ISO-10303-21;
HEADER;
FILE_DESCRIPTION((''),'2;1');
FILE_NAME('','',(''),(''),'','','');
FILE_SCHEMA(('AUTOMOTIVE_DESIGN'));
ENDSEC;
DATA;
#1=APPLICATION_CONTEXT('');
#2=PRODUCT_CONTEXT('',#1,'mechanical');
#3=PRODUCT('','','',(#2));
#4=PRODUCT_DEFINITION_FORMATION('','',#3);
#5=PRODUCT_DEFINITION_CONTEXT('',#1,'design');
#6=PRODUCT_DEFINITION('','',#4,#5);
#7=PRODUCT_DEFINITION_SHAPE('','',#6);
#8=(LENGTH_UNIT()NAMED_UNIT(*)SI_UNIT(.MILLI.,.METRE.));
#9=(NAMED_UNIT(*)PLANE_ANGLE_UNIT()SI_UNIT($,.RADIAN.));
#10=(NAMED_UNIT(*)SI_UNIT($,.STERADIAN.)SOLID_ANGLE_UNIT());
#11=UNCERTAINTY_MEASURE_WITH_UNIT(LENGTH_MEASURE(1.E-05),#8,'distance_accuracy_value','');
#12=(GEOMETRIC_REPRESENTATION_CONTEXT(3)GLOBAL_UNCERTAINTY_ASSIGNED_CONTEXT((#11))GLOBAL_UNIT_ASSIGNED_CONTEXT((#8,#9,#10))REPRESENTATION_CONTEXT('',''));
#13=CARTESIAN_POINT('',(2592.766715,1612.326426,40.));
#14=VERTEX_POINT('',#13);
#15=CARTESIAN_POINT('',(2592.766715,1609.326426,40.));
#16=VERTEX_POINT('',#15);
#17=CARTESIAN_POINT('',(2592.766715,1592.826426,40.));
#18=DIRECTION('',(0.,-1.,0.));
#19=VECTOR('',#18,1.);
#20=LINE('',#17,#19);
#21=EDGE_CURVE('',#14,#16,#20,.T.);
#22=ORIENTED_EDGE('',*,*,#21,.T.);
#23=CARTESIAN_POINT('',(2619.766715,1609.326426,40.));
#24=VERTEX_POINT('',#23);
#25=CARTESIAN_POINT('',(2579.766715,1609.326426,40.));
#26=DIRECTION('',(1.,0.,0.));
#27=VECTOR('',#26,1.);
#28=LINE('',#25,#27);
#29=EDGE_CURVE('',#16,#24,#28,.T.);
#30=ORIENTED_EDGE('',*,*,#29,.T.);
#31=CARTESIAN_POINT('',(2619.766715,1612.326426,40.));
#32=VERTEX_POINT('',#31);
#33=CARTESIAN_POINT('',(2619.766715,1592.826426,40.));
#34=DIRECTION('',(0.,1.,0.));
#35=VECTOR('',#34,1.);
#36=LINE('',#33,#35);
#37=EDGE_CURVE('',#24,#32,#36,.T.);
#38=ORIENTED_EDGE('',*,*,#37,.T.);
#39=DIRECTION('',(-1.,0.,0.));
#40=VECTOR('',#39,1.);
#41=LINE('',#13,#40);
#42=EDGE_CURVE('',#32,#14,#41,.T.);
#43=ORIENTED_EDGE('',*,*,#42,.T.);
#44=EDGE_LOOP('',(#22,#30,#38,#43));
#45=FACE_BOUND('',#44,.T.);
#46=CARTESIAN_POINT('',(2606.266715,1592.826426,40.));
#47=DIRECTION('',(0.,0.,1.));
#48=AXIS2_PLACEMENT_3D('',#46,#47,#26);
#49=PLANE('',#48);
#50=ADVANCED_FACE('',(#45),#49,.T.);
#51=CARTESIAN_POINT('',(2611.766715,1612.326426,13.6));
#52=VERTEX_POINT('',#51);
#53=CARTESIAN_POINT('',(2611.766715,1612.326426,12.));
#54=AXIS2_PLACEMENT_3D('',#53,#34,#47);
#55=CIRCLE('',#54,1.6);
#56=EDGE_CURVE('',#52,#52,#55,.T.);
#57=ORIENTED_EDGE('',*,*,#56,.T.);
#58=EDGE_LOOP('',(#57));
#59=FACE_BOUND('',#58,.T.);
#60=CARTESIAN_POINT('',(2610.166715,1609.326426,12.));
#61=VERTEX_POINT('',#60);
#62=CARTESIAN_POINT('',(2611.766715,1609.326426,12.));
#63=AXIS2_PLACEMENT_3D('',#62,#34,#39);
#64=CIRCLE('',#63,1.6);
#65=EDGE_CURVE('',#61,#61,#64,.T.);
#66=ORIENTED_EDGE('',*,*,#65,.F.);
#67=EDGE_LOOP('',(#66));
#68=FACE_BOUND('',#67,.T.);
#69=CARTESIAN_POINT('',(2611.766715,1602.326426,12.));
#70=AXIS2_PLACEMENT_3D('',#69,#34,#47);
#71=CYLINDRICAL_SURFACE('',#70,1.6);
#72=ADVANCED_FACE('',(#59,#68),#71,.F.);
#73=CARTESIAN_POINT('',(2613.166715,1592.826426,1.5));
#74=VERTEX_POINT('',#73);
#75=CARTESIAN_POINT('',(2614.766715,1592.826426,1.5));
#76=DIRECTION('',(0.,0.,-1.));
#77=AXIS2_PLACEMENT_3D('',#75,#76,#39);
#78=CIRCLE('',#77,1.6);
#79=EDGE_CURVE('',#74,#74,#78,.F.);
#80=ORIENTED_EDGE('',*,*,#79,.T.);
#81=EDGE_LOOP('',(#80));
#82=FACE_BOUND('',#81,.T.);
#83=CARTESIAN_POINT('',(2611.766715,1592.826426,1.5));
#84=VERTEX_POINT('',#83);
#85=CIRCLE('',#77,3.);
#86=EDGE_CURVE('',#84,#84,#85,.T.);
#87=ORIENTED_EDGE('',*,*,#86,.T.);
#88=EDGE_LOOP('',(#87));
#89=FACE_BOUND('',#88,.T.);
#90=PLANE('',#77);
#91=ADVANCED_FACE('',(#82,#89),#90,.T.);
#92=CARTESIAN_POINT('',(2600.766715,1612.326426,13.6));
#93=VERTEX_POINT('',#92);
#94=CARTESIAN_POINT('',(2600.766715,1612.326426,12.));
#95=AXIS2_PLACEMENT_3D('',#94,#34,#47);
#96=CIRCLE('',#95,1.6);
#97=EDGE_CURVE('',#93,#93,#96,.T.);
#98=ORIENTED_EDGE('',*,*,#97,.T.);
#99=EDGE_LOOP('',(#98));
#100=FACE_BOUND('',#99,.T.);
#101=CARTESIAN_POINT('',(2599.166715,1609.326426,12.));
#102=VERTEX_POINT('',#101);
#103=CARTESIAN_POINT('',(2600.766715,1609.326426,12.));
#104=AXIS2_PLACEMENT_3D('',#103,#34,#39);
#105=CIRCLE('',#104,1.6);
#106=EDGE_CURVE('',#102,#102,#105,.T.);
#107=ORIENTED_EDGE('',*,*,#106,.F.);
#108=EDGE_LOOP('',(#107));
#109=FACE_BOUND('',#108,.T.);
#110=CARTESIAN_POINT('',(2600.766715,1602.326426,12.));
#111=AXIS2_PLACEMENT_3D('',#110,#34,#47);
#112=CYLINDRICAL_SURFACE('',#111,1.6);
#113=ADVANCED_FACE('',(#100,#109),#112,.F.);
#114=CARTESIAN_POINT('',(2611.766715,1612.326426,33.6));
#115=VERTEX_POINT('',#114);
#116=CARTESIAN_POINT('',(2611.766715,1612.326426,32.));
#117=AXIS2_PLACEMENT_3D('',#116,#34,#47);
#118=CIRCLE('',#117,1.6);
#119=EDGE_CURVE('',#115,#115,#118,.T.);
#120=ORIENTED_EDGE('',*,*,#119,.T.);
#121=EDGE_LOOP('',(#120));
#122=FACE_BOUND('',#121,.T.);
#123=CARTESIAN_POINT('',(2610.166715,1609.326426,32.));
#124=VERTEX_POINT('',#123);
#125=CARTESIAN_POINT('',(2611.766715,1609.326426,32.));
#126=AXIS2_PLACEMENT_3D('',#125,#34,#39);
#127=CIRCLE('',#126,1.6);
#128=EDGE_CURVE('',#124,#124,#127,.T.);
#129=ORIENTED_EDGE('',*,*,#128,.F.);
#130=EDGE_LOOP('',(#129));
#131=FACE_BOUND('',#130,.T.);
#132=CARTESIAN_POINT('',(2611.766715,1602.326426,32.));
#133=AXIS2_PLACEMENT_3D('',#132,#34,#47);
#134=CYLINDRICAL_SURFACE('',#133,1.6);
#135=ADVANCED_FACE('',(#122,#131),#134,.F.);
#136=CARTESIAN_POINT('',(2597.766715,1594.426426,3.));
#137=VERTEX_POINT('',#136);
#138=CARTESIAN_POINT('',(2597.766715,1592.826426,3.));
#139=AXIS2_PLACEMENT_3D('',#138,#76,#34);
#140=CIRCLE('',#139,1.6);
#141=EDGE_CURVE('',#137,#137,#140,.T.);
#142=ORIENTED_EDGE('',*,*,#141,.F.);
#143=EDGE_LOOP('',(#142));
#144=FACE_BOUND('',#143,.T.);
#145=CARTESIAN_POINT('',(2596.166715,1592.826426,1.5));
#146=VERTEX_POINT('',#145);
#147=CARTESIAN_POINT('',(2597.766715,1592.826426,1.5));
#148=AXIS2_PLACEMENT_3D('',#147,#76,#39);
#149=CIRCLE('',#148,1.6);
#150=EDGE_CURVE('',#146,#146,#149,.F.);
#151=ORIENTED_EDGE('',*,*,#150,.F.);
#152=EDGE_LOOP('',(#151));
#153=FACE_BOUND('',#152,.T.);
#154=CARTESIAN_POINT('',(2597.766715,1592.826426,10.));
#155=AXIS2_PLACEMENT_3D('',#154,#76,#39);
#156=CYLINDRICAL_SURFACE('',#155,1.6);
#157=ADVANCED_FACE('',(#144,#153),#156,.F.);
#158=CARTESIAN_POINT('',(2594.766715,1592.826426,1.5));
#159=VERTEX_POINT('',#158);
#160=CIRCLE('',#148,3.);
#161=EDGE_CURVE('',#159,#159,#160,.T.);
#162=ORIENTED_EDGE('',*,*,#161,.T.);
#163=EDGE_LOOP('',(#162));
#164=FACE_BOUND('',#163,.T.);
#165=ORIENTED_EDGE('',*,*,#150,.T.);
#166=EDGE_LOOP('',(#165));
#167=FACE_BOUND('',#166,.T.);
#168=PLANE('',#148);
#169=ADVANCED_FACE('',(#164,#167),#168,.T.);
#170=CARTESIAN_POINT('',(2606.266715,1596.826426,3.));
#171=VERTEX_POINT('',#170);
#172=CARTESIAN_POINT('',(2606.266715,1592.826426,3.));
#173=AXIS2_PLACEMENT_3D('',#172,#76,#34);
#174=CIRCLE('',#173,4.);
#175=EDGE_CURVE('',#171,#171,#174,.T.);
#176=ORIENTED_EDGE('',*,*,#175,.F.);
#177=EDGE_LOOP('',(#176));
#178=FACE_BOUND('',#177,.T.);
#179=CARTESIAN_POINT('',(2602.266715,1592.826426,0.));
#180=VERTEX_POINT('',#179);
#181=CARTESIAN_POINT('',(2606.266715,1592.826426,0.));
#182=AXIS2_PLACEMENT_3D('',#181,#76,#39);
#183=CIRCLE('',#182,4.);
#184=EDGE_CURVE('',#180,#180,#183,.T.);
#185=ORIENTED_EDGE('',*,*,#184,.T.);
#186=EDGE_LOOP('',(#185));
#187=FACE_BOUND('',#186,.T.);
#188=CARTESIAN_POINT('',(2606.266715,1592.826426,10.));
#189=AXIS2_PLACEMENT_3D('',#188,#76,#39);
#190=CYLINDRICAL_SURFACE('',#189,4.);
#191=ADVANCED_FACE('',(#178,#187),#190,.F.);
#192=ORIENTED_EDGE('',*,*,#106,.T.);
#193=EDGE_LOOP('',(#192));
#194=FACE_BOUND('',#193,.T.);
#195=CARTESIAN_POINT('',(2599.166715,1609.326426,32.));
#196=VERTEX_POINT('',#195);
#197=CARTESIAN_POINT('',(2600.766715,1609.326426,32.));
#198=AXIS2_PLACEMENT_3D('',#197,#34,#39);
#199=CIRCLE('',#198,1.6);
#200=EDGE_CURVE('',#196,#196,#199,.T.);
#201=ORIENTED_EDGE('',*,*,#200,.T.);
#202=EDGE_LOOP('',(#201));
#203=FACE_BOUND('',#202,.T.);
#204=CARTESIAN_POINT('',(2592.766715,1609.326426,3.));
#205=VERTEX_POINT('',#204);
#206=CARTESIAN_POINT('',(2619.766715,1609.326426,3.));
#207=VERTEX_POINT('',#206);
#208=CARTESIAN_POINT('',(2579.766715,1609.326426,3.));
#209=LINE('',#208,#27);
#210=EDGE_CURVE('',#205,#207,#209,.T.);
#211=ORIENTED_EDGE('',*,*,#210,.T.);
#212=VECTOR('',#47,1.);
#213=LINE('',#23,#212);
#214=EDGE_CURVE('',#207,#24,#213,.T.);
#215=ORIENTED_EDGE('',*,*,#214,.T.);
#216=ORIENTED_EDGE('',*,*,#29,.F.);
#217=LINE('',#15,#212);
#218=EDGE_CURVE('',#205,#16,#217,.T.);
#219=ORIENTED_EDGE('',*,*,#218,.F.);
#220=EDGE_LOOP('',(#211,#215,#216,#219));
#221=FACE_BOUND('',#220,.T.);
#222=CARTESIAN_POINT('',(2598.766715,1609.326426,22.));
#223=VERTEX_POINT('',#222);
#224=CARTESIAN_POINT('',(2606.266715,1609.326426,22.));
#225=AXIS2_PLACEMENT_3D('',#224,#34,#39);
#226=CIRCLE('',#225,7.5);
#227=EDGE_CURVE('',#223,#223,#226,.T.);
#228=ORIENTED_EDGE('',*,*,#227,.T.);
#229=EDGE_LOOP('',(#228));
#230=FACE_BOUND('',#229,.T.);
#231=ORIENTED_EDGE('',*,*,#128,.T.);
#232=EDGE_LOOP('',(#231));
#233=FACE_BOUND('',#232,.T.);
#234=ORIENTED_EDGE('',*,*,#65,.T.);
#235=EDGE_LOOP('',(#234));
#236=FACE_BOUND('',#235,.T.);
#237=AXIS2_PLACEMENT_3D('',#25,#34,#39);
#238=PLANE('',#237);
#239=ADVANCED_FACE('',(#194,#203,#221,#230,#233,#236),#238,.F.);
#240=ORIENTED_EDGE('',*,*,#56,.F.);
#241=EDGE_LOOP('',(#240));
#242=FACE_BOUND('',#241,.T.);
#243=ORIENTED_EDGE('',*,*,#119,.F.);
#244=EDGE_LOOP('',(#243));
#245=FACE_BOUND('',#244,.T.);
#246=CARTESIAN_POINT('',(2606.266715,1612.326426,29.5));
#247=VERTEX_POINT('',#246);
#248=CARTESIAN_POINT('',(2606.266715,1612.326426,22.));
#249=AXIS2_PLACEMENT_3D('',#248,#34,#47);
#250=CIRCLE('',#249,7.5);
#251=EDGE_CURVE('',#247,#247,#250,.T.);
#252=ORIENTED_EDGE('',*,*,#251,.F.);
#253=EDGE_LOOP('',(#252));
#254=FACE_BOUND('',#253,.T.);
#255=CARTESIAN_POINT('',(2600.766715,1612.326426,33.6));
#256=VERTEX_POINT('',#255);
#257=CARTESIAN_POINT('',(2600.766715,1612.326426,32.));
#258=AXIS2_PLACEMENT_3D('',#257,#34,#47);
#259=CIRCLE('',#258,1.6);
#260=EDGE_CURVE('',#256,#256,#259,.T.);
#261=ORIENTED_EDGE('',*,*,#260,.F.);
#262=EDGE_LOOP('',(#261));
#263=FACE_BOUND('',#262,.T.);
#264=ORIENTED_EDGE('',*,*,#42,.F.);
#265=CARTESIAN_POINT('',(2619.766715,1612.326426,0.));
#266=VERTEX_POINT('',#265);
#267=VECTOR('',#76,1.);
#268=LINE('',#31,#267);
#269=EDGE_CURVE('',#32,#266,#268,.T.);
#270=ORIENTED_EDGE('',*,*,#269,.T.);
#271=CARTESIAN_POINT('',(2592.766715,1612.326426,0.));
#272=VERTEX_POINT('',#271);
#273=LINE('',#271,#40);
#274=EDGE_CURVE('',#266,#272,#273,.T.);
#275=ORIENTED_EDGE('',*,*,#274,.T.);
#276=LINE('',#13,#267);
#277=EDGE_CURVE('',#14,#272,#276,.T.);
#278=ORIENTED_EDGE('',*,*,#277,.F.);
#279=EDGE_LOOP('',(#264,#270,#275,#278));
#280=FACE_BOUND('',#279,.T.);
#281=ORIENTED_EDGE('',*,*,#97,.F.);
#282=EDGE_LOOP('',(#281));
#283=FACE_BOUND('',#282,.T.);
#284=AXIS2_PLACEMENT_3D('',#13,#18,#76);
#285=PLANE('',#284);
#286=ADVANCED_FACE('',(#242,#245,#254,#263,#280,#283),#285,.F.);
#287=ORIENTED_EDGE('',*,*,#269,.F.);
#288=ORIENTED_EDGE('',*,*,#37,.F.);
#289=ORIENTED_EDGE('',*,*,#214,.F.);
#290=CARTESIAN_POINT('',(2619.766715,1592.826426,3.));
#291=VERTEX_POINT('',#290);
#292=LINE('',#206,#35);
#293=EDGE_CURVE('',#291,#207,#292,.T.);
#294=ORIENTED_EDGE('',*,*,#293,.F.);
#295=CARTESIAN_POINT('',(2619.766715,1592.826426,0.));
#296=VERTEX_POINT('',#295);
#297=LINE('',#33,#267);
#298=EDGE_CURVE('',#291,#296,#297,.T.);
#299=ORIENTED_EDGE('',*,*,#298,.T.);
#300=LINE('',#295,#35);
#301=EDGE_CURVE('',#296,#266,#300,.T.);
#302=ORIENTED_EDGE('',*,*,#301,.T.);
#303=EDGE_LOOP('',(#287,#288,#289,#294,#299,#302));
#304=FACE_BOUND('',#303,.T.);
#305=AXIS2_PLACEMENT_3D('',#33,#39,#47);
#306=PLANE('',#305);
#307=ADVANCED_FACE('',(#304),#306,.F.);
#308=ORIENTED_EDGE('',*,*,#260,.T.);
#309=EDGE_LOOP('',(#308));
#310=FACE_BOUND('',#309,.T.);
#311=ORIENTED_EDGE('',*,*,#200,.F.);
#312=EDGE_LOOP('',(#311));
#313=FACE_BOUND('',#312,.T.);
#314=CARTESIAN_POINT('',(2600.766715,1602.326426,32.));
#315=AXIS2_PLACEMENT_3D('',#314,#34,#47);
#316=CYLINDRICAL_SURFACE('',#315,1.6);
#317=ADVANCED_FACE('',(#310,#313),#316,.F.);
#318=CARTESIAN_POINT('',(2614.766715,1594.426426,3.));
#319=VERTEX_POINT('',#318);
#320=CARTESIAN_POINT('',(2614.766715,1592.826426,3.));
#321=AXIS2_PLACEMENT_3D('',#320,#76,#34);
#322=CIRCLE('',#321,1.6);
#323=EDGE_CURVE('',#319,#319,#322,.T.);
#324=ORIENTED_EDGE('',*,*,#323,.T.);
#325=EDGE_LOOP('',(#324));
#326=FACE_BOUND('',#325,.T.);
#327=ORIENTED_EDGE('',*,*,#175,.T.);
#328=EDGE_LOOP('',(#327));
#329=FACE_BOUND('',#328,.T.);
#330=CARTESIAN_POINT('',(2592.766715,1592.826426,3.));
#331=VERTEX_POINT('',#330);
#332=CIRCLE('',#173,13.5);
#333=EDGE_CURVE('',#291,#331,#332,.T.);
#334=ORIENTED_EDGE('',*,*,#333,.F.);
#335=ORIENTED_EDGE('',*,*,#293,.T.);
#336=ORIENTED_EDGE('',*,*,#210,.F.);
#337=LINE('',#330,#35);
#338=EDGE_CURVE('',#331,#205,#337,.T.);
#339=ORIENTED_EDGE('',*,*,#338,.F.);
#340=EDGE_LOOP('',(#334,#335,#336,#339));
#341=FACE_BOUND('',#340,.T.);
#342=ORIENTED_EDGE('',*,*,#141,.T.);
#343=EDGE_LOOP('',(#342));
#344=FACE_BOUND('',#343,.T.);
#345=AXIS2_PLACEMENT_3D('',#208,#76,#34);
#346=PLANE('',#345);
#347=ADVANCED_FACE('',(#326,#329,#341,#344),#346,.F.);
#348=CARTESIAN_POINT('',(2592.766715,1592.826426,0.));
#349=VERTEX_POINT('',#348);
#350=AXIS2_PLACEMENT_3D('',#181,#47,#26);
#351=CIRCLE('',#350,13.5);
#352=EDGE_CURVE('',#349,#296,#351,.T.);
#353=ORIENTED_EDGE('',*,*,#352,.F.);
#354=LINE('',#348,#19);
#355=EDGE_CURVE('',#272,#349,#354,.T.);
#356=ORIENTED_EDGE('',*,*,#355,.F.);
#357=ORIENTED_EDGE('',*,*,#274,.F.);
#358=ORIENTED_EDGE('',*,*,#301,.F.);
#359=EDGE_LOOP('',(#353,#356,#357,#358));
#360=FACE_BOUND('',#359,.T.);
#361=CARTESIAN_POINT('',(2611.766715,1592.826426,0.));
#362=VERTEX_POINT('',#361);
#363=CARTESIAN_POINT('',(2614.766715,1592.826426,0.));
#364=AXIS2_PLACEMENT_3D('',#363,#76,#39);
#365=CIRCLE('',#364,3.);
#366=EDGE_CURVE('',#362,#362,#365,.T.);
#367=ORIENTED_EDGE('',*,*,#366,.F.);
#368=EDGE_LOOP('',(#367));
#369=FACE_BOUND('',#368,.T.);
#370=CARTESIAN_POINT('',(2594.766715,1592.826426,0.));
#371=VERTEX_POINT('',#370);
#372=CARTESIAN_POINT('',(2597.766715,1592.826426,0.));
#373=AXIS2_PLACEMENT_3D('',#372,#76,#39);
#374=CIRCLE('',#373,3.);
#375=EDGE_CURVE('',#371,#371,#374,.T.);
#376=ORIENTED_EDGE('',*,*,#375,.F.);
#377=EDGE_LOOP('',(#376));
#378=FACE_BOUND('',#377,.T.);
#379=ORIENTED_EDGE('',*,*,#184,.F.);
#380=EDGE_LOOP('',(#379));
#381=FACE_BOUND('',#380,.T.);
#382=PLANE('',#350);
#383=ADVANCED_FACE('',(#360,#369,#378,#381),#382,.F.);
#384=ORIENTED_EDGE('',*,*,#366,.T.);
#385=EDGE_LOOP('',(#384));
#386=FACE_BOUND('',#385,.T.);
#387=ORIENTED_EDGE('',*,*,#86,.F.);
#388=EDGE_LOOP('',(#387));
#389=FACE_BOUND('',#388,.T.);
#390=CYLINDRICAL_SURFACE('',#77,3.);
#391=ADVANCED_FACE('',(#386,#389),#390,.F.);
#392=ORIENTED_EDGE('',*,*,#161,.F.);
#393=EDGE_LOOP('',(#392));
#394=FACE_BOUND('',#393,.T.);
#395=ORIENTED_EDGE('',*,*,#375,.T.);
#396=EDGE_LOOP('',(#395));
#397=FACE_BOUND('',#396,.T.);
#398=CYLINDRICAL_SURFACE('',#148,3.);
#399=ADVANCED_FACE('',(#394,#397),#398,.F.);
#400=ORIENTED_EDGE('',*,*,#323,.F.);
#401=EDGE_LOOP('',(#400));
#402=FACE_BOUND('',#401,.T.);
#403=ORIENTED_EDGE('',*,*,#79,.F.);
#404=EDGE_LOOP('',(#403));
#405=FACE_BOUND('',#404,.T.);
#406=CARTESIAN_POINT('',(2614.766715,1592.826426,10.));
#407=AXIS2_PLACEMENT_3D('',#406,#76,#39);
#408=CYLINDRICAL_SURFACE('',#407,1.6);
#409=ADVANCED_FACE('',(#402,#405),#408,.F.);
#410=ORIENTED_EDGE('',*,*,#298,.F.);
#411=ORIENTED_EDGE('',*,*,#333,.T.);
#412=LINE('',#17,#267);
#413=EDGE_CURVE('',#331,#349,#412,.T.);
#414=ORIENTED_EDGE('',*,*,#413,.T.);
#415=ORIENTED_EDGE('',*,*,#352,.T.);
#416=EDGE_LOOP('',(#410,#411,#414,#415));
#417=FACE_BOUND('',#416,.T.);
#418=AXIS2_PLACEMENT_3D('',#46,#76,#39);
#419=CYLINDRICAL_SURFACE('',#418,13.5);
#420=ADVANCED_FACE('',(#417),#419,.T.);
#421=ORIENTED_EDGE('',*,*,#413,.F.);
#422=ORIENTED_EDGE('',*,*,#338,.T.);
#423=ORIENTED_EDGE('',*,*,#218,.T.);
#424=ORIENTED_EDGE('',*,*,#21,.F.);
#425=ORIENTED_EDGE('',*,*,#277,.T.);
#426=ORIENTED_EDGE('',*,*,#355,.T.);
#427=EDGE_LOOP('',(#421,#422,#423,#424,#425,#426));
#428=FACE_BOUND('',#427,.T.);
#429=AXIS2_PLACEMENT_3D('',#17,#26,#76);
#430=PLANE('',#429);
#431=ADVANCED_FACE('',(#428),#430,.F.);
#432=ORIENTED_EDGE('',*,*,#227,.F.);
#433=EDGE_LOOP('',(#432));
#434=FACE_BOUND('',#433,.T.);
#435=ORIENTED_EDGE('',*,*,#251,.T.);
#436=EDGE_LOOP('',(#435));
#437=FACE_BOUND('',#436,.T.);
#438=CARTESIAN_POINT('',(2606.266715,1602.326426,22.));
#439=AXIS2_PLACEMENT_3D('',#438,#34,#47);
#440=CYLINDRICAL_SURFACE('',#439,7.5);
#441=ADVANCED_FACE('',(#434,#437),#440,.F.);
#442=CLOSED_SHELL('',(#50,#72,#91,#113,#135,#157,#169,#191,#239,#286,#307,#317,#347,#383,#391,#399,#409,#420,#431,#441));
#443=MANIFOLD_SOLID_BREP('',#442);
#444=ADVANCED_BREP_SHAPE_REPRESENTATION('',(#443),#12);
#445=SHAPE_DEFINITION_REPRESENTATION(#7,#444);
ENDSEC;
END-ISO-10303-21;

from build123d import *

# Parameters (mm, degrees)
MODEL_R             = 3.5
EXTRUDE_1_DEPTH     = 40
SKETCH_3_W          = 37
SKETCH_3_H          = 37
CUT_EXTRUDE_1_DEPTH = 40
SKETCH_4_R          = 1.5
CUT_EXTRUDE_2_DEPTH = 40
SKETCH1_R           = 4
CUT_EXTRUDE1_DEPTH  = 10
SKETCH2_R           = 1.6
CUT_EXTRUDE2_DEPTH  = 10
SKETCH3_R           = 3
CUT_EXTRUDE3_DEPTH  = 1.5
SKETCH4_R           = 1.6
CUT_EXTRUDE4_DEPTH  = 10
SKETCH5_R           = 7.5
CUT_EXTRUDE5_DEPTH  = 10


with BuildPart() as part:
    # Model → 凸台-拉伸1 (new body)
    with BuildSketch(Plane.XY):
        with BuildLine():
            Line((2619.766714505, 1592.826425633), (2619.766714505, 1612.326425633))
            Line((2619.766714505, 1612.326425633), (2592.766714505, 1612.326425633))
            Line((2592.766714505, 1612.326425633), (2592.766714505, 1592.826425633))
            ThreePointArc((2592.766714505, 1592.826425633), (2606.266714505, 1579.326425633), (2619.766714505, 1592.826425633))
        make_face()
        with Locations((2606.266714505, 1592.826425633)):
            Circle(MODEL_R, mode=Mode.SUBTRACT)
    extrude(amount=EXTRUDE_1_DEPTH)

    # 草图3 → 切除-拉伸1 (cut)
    with BuildSketch(Plane(origin=(2619.766714505, 0, 0), x_dir=(0, 0, -1), z_dir=(1, 0, 0))):
        with Locations((-21.5, 1590.826425633)):
            Rectangle(SKETCH_3_W, SKETCH_3_H)
    extrude(amount=-CUT_EXTRUDE_1_DEPTH, mode=Mode.SUBTRACT)

    # 草图4 → 切除-拉伸2 (cut)
    with BuildSketch(Plane(origin=(0, 1612.326425633, 0), x_dir=(1, 0, 0), z_dir=(0, 1, 0))):
        with Locations(Location((2600.766714505, -32, 0), (0, 0, 270))):
            Circle(SKETCH_4_R)
        with Locations(Location((2611.766714505, -32, 0), (0, 0, 270))):
            Circle(SKETCH_4_R)
        with Locations(Location((2600.766714505, -12, 0), (0, 0, 270))):
            Circle(SKETCH_4_R)
        with Locations(Location((2611.766714505, -12, 0), (0, 0, 270))):
            Circle(SKETCH_4_R)
    extrude(amount=-CUT_EXTRUDE_2_DEPTH, mode=Mode.SUBTRACT)

    # Sketch1 → Cut-Extrude1 (cut)
    with BuildSketch(Plane(origin=(0, 0, 0), x_dir=(-1, 0, 0), z_dir=(0, 0, -1))):
        with Locations((-2606.266714505, 1592.826425633)):
            Circle(SKETCH1_R)
    extrude(amount=-CUT_EXTRUDE1_DEPTH, mode=Mode.SUBTRACT)

    # Sketch2 → Cut-Extrude2 (cut)
    with BuildSketch(Plane(origin=(0, 0, 0), x_dir=(-1, 0, 0), z_dir=(0, 0, -1))):
        with Locations((-2614.766714505, 1592.826425633)):
            Circle(SKETCH2_R)
        with Locations(Location((-2597.766714505, 1592.826425633, 0), (0, 0, 90))):
            Circle(SKETCH2_R)
    extrude(amount=-CUT_EXTRUDE2_DEPTH, mode=Mode.SUBTRACT)

    # Sketch3 → Cut-Extrude3 (cut)
    with BuildSketch(Plane(origin=(0, 0, 0), x_dir=(-1, 0, 0), z_dir=(0, 0, -1))):
        with Locations((-2597.766714505, 1592.826425633)):
            Circle(SKETCH3_R)
        with Locations((-2614.766714505, 1592.826425633)):
            Circle(SKETCH3_R)
    extrude(amount=-CUT_EXTRUDE3_DEPTH, mode=Mode.SUBTRACT)

    # Sketch4 → Cut-Extrude4 (cut)
    with BuildSketch(Plane(origin=(0, 1612.326425633, 0), x_dir=(1, 0, 0), z_dir=(0, 1, 0))):
        with Locations(Location((2600.766714505, -12, 0), (0, 0, 270))):
            Circle(SKETCH4_R)
        with Locations(Location((2611.766714505, -12, 0), (0, 0, 270))):
            Circle(SKETCH4_R)
        with Locations(Location((2600.766714505, -32, 0), (0, 0, 270))):
            Circle(SKETCH4_R)
        with Locations(Location((2611.766714505, -32, 0), (0, 0, 270))):
            Circle(SKETCH4_R)
    extrude(amount=-CUT_EXTRUDE4_DEPTH, mode=Mode.SUBTRACT)

    # Sketch5 → Cut-Extrude5 (cut)
    with BuildSketch(Plane(origin=(0, 1612.326425633, 0), x_dir=(1, 0, 0), z_dir=(0, 1, 0))):
        with Locations(Location((2606.266714505, -22, 0), (0, 0, 270))):
            Circle(SKETCH5_R)
    extrude(amount=-CUT_EXTRUDE5_DEPTH, mode=Mode.SUBTRACT)


solid = part.part
